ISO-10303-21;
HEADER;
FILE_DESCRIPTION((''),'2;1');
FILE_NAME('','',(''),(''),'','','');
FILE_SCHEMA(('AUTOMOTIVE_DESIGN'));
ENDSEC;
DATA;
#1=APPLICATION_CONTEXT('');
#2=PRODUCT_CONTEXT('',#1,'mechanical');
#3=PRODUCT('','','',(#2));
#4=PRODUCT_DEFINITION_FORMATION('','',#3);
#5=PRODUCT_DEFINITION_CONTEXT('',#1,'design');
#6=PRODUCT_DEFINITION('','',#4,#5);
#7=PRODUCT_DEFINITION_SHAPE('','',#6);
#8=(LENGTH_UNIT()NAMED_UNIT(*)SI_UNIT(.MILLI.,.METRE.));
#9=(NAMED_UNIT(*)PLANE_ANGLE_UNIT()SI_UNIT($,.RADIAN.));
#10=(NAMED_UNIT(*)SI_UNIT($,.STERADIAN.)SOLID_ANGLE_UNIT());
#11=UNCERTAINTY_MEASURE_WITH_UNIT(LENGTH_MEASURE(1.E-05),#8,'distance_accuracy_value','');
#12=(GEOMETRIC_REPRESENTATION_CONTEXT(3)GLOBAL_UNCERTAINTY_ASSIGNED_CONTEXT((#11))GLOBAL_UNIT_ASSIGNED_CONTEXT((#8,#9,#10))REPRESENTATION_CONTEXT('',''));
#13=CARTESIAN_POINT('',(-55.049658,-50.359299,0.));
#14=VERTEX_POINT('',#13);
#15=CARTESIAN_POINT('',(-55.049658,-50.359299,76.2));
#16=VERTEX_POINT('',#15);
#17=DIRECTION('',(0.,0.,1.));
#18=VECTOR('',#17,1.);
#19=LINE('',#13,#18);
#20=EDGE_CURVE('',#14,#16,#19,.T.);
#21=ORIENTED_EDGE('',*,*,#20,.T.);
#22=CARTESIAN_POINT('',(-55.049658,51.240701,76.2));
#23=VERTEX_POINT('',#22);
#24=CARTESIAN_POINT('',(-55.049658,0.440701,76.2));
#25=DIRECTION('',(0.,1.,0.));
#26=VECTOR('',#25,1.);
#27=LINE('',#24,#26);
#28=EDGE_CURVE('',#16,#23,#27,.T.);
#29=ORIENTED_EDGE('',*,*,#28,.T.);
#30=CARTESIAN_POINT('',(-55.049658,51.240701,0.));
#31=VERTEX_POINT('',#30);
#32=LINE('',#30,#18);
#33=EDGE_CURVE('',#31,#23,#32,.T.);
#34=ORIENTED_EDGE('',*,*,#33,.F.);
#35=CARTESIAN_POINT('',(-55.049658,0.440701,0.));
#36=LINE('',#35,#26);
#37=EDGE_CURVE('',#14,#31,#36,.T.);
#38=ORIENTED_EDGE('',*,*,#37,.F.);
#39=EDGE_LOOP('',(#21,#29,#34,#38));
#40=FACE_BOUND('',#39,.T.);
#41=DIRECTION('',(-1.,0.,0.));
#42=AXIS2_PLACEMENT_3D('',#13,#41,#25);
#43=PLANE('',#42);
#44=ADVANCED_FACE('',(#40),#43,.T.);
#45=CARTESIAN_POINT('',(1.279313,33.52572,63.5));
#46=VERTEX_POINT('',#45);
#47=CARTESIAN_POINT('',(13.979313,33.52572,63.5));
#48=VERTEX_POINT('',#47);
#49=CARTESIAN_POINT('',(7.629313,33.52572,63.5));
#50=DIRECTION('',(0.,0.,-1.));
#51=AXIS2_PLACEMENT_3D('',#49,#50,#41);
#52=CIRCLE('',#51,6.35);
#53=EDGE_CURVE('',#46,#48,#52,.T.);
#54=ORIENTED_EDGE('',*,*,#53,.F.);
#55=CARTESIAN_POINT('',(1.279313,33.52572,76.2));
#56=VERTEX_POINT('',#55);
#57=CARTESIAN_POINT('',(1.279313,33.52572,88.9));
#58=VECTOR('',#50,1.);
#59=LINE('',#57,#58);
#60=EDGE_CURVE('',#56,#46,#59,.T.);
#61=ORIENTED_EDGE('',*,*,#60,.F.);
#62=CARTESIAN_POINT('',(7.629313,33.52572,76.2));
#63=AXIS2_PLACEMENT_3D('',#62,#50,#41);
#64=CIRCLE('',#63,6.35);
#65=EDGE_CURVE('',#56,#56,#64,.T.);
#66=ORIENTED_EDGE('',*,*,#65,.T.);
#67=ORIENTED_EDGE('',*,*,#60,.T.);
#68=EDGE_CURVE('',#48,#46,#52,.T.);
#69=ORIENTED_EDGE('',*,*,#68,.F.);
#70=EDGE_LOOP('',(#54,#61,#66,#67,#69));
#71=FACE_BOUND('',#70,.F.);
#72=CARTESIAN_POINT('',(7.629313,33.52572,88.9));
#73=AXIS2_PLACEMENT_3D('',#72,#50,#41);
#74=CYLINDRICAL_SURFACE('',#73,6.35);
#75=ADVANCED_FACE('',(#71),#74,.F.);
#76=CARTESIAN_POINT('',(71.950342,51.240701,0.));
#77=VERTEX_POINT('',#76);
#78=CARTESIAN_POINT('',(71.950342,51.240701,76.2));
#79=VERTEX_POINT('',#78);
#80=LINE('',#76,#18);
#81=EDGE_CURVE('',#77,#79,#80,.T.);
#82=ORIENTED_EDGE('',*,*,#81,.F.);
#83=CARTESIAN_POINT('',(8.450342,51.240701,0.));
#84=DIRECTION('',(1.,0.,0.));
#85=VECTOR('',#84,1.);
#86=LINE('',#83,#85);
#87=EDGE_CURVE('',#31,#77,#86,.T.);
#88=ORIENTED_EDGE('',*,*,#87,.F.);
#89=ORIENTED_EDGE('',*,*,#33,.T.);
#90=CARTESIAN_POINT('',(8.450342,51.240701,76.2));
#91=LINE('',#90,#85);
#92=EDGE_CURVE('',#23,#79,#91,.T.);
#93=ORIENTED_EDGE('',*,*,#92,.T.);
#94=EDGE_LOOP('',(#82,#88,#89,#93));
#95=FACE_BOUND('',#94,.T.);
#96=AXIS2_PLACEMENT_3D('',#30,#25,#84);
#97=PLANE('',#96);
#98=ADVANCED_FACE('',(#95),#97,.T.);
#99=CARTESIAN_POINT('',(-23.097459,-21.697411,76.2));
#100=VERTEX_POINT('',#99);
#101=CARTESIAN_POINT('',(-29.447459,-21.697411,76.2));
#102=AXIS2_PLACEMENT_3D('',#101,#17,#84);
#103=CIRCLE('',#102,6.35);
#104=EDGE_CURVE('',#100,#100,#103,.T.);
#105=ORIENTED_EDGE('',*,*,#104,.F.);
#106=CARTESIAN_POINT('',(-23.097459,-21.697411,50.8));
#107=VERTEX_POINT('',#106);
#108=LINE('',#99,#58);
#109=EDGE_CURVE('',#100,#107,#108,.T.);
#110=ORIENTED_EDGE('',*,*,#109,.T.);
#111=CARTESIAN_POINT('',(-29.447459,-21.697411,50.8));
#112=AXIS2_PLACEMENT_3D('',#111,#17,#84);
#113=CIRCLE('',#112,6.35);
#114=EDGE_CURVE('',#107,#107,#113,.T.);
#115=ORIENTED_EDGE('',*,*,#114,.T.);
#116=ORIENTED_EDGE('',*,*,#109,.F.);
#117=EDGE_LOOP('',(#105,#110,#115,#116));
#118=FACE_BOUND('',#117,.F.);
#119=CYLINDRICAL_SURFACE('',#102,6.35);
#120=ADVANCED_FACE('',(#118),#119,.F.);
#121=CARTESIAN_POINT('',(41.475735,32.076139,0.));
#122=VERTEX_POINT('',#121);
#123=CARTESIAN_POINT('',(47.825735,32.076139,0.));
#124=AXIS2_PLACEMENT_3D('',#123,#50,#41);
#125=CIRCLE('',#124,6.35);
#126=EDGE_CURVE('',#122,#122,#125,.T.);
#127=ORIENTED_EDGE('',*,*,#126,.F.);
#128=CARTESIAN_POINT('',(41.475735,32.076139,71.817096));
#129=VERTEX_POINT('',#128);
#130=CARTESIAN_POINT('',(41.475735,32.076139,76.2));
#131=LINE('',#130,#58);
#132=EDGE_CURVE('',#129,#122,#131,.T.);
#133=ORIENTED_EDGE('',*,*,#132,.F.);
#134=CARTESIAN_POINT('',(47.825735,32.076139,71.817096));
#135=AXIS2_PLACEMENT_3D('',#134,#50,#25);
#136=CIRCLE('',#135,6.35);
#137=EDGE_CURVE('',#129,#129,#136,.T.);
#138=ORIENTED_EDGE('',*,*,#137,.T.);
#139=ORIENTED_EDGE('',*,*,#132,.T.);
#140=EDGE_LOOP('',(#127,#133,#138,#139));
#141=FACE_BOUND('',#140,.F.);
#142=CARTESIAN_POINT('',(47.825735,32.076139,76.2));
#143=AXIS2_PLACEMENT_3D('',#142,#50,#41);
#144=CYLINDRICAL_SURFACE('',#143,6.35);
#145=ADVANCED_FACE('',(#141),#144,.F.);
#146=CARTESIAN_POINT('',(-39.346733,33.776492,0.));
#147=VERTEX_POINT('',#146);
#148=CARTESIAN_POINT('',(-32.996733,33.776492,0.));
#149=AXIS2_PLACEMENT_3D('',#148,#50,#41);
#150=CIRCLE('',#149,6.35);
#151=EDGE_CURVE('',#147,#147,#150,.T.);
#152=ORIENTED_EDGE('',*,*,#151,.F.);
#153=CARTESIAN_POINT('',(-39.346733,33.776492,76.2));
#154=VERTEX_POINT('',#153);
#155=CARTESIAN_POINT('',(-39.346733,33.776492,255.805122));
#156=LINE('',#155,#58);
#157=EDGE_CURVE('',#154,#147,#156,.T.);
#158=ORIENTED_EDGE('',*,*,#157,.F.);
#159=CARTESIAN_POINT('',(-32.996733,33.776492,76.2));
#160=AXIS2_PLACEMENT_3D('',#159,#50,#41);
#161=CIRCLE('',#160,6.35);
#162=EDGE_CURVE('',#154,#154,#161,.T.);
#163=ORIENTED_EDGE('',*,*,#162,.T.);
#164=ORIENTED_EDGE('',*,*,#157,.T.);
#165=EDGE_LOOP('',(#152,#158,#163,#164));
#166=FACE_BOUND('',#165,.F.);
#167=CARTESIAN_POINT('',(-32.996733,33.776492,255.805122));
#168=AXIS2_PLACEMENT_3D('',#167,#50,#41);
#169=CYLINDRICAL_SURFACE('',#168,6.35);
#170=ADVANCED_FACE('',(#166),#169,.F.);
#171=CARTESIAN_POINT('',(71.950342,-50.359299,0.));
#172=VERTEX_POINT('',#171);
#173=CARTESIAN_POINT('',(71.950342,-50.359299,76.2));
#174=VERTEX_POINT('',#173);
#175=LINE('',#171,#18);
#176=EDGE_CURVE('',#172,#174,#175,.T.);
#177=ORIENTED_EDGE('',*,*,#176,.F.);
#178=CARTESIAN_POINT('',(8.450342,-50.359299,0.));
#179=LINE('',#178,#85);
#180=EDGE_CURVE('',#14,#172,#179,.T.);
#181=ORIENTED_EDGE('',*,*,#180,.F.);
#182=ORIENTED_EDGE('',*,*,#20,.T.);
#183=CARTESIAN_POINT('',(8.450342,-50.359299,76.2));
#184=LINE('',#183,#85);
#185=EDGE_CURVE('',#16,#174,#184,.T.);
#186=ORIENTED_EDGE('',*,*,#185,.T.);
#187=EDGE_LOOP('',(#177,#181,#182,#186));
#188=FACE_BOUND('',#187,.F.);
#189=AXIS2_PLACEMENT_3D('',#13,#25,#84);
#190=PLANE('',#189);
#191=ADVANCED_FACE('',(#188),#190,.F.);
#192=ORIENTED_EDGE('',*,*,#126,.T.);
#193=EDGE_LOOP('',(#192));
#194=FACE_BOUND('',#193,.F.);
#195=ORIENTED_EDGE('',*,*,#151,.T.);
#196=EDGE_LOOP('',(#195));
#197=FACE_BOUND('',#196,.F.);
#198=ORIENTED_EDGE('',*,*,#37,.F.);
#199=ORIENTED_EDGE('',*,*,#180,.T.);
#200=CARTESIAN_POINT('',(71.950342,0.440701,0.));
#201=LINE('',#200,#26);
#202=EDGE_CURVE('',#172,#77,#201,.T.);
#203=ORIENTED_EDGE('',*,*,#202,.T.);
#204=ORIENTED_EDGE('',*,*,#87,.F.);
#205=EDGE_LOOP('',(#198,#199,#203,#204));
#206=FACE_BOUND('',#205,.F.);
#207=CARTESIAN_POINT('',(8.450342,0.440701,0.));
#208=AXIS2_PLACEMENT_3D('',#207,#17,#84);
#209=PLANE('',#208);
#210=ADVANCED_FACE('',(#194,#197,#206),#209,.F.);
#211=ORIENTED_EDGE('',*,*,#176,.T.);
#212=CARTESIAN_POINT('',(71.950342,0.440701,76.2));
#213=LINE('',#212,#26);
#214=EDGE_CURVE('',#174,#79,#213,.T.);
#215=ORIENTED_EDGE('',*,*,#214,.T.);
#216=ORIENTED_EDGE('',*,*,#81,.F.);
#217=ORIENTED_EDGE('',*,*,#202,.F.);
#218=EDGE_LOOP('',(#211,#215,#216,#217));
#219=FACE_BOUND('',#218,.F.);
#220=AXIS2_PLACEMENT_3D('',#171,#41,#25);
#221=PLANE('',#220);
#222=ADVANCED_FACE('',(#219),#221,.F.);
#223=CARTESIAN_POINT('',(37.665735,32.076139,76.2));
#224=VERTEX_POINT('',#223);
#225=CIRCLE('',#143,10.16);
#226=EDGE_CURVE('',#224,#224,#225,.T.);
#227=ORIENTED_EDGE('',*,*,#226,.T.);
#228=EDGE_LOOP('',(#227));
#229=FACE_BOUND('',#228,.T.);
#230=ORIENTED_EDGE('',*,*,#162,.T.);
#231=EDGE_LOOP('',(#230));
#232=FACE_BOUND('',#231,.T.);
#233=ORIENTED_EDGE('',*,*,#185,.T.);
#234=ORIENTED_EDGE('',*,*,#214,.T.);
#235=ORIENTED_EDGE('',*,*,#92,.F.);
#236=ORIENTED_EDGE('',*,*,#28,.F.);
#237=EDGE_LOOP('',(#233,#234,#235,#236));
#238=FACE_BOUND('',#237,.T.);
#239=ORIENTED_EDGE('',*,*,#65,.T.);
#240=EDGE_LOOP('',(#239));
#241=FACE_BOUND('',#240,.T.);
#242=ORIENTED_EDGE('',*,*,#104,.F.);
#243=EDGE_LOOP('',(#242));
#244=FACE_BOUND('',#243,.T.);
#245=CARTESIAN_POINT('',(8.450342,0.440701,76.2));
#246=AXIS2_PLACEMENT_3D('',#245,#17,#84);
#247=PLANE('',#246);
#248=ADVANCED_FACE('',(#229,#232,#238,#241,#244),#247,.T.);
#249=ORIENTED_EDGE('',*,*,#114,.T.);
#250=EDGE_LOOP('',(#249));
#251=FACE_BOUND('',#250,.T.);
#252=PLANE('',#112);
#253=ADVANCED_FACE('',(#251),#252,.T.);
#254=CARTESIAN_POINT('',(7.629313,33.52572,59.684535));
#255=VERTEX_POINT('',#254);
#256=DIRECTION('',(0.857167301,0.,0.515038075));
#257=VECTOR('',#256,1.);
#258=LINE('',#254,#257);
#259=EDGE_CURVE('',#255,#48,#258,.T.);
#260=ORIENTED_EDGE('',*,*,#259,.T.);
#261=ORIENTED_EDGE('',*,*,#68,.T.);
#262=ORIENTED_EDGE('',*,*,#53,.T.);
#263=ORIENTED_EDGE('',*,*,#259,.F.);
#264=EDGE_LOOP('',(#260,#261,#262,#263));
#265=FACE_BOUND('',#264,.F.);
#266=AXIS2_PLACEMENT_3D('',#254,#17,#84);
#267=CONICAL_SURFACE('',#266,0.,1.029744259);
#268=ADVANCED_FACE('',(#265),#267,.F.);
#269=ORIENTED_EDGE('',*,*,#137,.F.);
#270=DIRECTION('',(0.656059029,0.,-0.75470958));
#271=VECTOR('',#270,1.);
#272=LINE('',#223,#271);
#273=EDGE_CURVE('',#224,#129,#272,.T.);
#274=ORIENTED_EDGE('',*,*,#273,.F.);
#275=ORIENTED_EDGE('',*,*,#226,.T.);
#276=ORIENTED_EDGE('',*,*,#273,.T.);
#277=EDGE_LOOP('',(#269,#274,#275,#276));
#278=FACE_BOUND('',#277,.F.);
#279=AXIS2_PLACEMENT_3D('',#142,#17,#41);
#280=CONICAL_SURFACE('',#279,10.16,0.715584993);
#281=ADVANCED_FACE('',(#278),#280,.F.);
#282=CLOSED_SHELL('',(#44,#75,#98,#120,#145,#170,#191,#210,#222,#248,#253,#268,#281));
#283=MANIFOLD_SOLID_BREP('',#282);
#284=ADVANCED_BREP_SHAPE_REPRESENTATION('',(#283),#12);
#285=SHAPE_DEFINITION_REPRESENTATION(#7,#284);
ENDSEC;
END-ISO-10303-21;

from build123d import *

# Parameters (mm, degrees)
F0_W           = 127
F0_H           = 101.6
F1_DEPTH       = 76.2
F3_D           = 12.7
F4_D           = 12.7
F4_DEPTH       = 12.7
F4_TIP         = 3.8154649308
F5_D           = 12.7
F5_CSINK_D     = 20.32
F5_CSINK_ANGLE = 82
F6_R           = 6.35
F7_DEPTH       = 25.4


with BuildPart() as f1:
    # F0 (on Top) → F1 (new body)
    with BuildSketch(Plane.XY):
        with Locations((8.4503423423, 0.4407010946)):
            Rectangle(F0_W, F0_H)
    extrude(amount=F1_DEPTH)

    # F3 (through all)
    with Locations(Plane.XY.offset(76.2)):
        with Locations((-32.9967327416, 33.7764918804)):
            Hole(F3_D / 2)

    # F4
    with Locations(Plane.XY.offset(76.2)):
        with Locations((7.6293125749, 33.5257202387)):
            Hole(F4_D / 2, depth=F4_DEPTH)
            with Locations((0, 0, -(F4_DEPTH + F4_TIP / 2))):  # 118° drill point
                Cone(0, F4_D / 2, F4_TIP, mode=Mode.SUBTRACT)

    # F5 (through all)
    with Locations(Plane.XY.offset(76.2)):
        with Locations((47.8257350624, 32.076139003)):
            CounterSinkHole(F5_D / 2, F5_CSINK_D / 2, counter_sink_angle=F5_CSINK_ANGLE)

    # F6 (on face) → F7 (cut)
    with BuildSketch(Plane.XY.offset(76.2)):
        with Locations((-29.4474586844, -21.6974113137)):
            Circle(F6_R)
    extrude(amount=-F7_DEPTH, mode=Mode.SUBTRACT)


solid = f1.part
